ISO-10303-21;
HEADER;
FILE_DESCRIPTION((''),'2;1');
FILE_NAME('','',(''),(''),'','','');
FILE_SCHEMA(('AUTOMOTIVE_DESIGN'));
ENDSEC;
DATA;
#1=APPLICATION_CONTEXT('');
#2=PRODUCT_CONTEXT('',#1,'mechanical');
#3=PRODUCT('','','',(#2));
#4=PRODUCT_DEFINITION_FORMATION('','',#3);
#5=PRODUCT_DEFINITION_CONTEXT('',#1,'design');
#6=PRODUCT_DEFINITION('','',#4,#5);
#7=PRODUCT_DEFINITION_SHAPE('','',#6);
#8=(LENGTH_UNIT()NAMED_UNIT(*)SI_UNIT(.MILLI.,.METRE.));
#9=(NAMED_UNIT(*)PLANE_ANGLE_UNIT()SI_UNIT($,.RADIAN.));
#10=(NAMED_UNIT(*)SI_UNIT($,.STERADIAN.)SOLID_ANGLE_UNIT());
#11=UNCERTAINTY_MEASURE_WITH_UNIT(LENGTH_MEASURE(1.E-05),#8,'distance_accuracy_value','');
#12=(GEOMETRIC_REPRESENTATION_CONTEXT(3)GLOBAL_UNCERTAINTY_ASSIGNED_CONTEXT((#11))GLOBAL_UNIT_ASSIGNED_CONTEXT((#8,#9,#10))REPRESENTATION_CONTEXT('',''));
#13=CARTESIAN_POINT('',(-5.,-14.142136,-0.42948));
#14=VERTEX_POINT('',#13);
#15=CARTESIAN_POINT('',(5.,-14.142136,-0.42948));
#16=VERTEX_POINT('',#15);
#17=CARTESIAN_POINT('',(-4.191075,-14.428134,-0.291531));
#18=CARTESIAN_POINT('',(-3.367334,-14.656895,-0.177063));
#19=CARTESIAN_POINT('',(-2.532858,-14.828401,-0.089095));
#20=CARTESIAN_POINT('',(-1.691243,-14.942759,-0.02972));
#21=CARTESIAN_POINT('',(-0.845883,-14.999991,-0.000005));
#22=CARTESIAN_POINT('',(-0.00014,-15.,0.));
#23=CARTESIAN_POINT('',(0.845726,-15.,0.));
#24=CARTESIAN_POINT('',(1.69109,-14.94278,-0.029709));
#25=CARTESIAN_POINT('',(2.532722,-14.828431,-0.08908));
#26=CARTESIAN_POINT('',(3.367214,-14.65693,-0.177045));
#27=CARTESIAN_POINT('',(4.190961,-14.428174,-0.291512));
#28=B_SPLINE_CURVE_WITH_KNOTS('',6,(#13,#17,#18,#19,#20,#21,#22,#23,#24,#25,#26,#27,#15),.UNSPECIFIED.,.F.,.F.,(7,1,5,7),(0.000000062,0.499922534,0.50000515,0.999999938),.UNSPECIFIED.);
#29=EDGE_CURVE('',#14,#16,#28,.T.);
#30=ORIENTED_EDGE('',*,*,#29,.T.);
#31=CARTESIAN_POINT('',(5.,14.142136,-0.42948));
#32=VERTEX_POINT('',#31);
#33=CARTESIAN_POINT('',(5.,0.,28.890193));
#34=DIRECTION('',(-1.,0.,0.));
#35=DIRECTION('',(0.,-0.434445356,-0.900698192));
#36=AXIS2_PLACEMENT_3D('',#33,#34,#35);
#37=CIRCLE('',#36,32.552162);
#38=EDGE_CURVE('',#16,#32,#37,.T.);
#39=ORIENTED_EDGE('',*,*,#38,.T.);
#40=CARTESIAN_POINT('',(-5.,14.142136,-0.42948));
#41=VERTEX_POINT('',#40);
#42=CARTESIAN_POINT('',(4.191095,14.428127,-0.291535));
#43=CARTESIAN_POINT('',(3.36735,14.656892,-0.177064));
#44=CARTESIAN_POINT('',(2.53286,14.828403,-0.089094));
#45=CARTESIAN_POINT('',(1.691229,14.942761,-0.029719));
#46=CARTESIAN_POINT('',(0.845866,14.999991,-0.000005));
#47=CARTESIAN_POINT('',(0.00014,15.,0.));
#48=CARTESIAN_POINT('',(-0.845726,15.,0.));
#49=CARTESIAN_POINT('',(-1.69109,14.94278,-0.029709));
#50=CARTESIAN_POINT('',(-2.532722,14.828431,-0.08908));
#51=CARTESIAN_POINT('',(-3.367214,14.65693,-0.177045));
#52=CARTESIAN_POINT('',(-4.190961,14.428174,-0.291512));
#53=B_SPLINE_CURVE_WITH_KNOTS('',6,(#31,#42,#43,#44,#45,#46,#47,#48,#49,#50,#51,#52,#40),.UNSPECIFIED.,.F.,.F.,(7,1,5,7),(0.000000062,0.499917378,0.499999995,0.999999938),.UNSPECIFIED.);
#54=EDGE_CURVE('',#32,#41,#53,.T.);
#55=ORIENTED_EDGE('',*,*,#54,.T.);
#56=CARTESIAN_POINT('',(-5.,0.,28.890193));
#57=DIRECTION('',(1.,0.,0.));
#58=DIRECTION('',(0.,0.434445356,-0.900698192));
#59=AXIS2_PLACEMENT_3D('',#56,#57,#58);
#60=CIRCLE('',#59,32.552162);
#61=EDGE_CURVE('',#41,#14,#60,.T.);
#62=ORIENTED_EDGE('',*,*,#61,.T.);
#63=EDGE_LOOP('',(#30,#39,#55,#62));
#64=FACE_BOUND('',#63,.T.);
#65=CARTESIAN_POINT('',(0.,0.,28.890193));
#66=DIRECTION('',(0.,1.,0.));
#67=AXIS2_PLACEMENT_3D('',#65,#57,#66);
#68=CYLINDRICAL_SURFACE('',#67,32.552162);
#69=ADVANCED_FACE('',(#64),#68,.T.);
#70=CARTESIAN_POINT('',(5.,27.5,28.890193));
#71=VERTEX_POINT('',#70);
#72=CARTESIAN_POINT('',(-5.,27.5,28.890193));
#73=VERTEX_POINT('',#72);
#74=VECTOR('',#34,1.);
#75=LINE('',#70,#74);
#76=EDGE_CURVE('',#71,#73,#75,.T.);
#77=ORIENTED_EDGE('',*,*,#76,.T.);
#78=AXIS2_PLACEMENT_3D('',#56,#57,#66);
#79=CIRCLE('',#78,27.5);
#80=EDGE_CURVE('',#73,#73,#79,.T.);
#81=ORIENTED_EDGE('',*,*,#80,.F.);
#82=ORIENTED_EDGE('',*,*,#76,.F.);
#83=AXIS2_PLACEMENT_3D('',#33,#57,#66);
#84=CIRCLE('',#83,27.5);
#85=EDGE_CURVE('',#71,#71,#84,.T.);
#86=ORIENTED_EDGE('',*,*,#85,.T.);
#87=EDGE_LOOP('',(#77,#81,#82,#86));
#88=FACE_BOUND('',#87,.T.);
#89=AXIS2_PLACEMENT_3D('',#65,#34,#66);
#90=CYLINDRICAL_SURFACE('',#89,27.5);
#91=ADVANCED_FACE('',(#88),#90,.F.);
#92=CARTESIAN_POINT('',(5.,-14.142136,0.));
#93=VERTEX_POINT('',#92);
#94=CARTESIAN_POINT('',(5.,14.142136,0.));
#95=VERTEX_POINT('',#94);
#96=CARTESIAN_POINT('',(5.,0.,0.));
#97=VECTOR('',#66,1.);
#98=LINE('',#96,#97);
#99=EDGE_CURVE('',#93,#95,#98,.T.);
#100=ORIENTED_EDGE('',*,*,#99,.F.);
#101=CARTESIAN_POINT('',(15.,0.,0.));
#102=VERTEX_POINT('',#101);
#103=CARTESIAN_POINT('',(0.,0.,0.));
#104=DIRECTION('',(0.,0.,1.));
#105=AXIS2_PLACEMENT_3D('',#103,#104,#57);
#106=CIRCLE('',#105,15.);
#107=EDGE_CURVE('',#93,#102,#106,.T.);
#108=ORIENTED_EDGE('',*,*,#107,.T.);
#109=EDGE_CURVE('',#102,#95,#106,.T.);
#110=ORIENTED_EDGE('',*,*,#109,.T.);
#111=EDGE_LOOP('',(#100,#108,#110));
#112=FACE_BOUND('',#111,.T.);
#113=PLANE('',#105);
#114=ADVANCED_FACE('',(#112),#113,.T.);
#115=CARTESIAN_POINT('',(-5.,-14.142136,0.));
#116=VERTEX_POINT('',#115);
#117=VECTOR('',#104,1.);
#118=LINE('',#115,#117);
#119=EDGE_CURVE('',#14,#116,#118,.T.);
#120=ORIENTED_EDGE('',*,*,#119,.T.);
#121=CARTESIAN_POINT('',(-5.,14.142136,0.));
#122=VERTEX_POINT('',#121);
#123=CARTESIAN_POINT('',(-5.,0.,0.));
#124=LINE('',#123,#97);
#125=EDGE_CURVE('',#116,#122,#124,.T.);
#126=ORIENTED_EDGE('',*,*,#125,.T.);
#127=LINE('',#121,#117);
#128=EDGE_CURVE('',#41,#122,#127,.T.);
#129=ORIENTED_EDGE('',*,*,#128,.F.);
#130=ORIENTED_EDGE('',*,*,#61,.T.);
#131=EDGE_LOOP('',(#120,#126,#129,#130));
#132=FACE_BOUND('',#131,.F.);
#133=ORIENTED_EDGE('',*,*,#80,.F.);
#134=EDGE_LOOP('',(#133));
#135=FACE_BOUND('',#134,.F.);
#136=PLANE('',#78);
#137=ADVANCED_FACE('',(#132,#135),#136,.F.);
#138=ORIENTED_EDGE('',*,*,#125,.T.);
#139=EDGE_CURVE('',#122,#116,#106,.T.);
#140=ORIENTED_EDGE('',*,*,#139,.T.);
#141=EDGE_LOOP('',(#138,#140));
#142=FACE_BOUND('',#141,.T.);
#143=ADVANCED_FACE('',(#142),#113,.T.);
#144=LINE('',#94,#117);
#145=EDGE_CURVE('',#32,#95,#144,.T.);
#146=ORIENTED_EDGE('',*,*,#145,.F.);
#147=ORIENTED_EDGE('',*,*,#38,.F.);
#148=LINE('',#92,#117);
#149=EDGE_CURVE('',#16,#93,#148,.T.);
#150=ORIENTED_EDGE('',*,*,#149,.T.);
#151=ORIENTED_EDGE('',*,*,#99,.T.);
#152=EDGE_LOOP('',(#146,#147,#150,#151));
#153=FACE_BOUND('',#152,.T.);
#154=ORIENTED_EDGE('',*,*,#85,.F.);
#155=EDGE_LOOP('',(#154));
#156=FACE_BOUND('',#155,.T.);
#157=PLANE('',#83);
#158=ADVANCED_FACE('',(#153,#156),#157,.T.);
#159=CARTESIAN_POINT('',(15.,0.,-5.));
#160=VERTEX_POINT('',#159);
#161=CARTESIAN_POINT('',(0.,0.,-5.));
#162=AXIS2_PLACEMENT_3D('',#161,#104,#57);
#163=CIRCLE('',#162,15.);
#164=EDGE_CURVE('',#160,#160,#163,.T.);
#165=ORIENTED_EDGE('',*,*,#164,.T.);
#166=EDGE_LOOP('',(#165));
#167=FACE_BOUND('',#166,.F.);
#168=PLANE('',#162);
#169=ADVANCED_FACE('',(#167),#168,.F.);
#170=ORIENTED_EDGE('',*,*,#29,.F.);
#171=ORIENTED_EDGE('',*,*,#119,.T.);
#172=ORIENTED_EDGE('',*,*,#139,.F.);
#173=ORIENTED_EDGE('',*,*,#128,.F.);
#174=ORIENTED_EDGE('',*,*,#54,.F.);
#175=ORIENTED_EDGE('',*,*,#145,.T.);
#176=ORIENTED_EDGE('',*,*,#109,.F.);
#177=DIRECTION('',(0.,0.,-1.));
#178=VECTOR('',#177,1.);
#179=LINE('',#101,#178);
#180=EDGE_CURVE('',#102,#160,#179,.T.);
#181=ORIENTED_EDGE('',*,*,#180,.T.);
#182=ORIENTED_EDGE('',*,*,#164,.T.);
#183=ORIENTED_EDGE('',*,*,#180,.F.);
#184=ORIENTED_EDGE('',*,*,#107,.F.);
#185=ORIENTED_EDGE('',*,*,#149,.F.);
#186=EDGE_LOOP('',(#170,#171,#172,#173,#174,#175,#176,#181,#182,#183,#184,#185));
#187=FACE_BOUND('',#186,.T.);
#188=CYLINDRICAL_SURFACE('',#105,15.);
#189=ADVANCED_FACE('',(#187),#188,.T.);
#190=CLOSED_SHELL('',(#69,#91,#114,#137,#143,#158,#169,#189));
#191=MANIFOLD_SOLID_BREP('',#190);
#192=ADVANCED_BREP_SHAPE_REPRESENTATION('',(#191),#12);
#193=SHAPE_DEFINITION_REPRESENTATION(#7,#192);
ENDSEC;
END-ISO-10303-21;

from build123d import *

# Parameters (mm, degrees)
F0_R     = 15
F2_DEPTH = 5
F1_R     = 32.552162
F1_R_2   = 27.5
F3_DEPTH = 5


with BuildPart() as f2:
    # F0 (on Top) → F2 (new body)
    with BuildSketch(Plane.XY):
        Circle(F0_R)
    extrude(amount=-F2_DEPTH)

    # F1 (on Right) → F3 (join, symmetric)
    with BuildSketch(Plane.YZ):
        with Locations((0, 28.890193)):
            Circle(F1_R)
        with Locations((0, 28.890193)):
            Circle(F1_R_2, mode=Mode.SUBTRACT)
    extrude(amount=F3_DEPTH, both=True)


solid = f2.part
